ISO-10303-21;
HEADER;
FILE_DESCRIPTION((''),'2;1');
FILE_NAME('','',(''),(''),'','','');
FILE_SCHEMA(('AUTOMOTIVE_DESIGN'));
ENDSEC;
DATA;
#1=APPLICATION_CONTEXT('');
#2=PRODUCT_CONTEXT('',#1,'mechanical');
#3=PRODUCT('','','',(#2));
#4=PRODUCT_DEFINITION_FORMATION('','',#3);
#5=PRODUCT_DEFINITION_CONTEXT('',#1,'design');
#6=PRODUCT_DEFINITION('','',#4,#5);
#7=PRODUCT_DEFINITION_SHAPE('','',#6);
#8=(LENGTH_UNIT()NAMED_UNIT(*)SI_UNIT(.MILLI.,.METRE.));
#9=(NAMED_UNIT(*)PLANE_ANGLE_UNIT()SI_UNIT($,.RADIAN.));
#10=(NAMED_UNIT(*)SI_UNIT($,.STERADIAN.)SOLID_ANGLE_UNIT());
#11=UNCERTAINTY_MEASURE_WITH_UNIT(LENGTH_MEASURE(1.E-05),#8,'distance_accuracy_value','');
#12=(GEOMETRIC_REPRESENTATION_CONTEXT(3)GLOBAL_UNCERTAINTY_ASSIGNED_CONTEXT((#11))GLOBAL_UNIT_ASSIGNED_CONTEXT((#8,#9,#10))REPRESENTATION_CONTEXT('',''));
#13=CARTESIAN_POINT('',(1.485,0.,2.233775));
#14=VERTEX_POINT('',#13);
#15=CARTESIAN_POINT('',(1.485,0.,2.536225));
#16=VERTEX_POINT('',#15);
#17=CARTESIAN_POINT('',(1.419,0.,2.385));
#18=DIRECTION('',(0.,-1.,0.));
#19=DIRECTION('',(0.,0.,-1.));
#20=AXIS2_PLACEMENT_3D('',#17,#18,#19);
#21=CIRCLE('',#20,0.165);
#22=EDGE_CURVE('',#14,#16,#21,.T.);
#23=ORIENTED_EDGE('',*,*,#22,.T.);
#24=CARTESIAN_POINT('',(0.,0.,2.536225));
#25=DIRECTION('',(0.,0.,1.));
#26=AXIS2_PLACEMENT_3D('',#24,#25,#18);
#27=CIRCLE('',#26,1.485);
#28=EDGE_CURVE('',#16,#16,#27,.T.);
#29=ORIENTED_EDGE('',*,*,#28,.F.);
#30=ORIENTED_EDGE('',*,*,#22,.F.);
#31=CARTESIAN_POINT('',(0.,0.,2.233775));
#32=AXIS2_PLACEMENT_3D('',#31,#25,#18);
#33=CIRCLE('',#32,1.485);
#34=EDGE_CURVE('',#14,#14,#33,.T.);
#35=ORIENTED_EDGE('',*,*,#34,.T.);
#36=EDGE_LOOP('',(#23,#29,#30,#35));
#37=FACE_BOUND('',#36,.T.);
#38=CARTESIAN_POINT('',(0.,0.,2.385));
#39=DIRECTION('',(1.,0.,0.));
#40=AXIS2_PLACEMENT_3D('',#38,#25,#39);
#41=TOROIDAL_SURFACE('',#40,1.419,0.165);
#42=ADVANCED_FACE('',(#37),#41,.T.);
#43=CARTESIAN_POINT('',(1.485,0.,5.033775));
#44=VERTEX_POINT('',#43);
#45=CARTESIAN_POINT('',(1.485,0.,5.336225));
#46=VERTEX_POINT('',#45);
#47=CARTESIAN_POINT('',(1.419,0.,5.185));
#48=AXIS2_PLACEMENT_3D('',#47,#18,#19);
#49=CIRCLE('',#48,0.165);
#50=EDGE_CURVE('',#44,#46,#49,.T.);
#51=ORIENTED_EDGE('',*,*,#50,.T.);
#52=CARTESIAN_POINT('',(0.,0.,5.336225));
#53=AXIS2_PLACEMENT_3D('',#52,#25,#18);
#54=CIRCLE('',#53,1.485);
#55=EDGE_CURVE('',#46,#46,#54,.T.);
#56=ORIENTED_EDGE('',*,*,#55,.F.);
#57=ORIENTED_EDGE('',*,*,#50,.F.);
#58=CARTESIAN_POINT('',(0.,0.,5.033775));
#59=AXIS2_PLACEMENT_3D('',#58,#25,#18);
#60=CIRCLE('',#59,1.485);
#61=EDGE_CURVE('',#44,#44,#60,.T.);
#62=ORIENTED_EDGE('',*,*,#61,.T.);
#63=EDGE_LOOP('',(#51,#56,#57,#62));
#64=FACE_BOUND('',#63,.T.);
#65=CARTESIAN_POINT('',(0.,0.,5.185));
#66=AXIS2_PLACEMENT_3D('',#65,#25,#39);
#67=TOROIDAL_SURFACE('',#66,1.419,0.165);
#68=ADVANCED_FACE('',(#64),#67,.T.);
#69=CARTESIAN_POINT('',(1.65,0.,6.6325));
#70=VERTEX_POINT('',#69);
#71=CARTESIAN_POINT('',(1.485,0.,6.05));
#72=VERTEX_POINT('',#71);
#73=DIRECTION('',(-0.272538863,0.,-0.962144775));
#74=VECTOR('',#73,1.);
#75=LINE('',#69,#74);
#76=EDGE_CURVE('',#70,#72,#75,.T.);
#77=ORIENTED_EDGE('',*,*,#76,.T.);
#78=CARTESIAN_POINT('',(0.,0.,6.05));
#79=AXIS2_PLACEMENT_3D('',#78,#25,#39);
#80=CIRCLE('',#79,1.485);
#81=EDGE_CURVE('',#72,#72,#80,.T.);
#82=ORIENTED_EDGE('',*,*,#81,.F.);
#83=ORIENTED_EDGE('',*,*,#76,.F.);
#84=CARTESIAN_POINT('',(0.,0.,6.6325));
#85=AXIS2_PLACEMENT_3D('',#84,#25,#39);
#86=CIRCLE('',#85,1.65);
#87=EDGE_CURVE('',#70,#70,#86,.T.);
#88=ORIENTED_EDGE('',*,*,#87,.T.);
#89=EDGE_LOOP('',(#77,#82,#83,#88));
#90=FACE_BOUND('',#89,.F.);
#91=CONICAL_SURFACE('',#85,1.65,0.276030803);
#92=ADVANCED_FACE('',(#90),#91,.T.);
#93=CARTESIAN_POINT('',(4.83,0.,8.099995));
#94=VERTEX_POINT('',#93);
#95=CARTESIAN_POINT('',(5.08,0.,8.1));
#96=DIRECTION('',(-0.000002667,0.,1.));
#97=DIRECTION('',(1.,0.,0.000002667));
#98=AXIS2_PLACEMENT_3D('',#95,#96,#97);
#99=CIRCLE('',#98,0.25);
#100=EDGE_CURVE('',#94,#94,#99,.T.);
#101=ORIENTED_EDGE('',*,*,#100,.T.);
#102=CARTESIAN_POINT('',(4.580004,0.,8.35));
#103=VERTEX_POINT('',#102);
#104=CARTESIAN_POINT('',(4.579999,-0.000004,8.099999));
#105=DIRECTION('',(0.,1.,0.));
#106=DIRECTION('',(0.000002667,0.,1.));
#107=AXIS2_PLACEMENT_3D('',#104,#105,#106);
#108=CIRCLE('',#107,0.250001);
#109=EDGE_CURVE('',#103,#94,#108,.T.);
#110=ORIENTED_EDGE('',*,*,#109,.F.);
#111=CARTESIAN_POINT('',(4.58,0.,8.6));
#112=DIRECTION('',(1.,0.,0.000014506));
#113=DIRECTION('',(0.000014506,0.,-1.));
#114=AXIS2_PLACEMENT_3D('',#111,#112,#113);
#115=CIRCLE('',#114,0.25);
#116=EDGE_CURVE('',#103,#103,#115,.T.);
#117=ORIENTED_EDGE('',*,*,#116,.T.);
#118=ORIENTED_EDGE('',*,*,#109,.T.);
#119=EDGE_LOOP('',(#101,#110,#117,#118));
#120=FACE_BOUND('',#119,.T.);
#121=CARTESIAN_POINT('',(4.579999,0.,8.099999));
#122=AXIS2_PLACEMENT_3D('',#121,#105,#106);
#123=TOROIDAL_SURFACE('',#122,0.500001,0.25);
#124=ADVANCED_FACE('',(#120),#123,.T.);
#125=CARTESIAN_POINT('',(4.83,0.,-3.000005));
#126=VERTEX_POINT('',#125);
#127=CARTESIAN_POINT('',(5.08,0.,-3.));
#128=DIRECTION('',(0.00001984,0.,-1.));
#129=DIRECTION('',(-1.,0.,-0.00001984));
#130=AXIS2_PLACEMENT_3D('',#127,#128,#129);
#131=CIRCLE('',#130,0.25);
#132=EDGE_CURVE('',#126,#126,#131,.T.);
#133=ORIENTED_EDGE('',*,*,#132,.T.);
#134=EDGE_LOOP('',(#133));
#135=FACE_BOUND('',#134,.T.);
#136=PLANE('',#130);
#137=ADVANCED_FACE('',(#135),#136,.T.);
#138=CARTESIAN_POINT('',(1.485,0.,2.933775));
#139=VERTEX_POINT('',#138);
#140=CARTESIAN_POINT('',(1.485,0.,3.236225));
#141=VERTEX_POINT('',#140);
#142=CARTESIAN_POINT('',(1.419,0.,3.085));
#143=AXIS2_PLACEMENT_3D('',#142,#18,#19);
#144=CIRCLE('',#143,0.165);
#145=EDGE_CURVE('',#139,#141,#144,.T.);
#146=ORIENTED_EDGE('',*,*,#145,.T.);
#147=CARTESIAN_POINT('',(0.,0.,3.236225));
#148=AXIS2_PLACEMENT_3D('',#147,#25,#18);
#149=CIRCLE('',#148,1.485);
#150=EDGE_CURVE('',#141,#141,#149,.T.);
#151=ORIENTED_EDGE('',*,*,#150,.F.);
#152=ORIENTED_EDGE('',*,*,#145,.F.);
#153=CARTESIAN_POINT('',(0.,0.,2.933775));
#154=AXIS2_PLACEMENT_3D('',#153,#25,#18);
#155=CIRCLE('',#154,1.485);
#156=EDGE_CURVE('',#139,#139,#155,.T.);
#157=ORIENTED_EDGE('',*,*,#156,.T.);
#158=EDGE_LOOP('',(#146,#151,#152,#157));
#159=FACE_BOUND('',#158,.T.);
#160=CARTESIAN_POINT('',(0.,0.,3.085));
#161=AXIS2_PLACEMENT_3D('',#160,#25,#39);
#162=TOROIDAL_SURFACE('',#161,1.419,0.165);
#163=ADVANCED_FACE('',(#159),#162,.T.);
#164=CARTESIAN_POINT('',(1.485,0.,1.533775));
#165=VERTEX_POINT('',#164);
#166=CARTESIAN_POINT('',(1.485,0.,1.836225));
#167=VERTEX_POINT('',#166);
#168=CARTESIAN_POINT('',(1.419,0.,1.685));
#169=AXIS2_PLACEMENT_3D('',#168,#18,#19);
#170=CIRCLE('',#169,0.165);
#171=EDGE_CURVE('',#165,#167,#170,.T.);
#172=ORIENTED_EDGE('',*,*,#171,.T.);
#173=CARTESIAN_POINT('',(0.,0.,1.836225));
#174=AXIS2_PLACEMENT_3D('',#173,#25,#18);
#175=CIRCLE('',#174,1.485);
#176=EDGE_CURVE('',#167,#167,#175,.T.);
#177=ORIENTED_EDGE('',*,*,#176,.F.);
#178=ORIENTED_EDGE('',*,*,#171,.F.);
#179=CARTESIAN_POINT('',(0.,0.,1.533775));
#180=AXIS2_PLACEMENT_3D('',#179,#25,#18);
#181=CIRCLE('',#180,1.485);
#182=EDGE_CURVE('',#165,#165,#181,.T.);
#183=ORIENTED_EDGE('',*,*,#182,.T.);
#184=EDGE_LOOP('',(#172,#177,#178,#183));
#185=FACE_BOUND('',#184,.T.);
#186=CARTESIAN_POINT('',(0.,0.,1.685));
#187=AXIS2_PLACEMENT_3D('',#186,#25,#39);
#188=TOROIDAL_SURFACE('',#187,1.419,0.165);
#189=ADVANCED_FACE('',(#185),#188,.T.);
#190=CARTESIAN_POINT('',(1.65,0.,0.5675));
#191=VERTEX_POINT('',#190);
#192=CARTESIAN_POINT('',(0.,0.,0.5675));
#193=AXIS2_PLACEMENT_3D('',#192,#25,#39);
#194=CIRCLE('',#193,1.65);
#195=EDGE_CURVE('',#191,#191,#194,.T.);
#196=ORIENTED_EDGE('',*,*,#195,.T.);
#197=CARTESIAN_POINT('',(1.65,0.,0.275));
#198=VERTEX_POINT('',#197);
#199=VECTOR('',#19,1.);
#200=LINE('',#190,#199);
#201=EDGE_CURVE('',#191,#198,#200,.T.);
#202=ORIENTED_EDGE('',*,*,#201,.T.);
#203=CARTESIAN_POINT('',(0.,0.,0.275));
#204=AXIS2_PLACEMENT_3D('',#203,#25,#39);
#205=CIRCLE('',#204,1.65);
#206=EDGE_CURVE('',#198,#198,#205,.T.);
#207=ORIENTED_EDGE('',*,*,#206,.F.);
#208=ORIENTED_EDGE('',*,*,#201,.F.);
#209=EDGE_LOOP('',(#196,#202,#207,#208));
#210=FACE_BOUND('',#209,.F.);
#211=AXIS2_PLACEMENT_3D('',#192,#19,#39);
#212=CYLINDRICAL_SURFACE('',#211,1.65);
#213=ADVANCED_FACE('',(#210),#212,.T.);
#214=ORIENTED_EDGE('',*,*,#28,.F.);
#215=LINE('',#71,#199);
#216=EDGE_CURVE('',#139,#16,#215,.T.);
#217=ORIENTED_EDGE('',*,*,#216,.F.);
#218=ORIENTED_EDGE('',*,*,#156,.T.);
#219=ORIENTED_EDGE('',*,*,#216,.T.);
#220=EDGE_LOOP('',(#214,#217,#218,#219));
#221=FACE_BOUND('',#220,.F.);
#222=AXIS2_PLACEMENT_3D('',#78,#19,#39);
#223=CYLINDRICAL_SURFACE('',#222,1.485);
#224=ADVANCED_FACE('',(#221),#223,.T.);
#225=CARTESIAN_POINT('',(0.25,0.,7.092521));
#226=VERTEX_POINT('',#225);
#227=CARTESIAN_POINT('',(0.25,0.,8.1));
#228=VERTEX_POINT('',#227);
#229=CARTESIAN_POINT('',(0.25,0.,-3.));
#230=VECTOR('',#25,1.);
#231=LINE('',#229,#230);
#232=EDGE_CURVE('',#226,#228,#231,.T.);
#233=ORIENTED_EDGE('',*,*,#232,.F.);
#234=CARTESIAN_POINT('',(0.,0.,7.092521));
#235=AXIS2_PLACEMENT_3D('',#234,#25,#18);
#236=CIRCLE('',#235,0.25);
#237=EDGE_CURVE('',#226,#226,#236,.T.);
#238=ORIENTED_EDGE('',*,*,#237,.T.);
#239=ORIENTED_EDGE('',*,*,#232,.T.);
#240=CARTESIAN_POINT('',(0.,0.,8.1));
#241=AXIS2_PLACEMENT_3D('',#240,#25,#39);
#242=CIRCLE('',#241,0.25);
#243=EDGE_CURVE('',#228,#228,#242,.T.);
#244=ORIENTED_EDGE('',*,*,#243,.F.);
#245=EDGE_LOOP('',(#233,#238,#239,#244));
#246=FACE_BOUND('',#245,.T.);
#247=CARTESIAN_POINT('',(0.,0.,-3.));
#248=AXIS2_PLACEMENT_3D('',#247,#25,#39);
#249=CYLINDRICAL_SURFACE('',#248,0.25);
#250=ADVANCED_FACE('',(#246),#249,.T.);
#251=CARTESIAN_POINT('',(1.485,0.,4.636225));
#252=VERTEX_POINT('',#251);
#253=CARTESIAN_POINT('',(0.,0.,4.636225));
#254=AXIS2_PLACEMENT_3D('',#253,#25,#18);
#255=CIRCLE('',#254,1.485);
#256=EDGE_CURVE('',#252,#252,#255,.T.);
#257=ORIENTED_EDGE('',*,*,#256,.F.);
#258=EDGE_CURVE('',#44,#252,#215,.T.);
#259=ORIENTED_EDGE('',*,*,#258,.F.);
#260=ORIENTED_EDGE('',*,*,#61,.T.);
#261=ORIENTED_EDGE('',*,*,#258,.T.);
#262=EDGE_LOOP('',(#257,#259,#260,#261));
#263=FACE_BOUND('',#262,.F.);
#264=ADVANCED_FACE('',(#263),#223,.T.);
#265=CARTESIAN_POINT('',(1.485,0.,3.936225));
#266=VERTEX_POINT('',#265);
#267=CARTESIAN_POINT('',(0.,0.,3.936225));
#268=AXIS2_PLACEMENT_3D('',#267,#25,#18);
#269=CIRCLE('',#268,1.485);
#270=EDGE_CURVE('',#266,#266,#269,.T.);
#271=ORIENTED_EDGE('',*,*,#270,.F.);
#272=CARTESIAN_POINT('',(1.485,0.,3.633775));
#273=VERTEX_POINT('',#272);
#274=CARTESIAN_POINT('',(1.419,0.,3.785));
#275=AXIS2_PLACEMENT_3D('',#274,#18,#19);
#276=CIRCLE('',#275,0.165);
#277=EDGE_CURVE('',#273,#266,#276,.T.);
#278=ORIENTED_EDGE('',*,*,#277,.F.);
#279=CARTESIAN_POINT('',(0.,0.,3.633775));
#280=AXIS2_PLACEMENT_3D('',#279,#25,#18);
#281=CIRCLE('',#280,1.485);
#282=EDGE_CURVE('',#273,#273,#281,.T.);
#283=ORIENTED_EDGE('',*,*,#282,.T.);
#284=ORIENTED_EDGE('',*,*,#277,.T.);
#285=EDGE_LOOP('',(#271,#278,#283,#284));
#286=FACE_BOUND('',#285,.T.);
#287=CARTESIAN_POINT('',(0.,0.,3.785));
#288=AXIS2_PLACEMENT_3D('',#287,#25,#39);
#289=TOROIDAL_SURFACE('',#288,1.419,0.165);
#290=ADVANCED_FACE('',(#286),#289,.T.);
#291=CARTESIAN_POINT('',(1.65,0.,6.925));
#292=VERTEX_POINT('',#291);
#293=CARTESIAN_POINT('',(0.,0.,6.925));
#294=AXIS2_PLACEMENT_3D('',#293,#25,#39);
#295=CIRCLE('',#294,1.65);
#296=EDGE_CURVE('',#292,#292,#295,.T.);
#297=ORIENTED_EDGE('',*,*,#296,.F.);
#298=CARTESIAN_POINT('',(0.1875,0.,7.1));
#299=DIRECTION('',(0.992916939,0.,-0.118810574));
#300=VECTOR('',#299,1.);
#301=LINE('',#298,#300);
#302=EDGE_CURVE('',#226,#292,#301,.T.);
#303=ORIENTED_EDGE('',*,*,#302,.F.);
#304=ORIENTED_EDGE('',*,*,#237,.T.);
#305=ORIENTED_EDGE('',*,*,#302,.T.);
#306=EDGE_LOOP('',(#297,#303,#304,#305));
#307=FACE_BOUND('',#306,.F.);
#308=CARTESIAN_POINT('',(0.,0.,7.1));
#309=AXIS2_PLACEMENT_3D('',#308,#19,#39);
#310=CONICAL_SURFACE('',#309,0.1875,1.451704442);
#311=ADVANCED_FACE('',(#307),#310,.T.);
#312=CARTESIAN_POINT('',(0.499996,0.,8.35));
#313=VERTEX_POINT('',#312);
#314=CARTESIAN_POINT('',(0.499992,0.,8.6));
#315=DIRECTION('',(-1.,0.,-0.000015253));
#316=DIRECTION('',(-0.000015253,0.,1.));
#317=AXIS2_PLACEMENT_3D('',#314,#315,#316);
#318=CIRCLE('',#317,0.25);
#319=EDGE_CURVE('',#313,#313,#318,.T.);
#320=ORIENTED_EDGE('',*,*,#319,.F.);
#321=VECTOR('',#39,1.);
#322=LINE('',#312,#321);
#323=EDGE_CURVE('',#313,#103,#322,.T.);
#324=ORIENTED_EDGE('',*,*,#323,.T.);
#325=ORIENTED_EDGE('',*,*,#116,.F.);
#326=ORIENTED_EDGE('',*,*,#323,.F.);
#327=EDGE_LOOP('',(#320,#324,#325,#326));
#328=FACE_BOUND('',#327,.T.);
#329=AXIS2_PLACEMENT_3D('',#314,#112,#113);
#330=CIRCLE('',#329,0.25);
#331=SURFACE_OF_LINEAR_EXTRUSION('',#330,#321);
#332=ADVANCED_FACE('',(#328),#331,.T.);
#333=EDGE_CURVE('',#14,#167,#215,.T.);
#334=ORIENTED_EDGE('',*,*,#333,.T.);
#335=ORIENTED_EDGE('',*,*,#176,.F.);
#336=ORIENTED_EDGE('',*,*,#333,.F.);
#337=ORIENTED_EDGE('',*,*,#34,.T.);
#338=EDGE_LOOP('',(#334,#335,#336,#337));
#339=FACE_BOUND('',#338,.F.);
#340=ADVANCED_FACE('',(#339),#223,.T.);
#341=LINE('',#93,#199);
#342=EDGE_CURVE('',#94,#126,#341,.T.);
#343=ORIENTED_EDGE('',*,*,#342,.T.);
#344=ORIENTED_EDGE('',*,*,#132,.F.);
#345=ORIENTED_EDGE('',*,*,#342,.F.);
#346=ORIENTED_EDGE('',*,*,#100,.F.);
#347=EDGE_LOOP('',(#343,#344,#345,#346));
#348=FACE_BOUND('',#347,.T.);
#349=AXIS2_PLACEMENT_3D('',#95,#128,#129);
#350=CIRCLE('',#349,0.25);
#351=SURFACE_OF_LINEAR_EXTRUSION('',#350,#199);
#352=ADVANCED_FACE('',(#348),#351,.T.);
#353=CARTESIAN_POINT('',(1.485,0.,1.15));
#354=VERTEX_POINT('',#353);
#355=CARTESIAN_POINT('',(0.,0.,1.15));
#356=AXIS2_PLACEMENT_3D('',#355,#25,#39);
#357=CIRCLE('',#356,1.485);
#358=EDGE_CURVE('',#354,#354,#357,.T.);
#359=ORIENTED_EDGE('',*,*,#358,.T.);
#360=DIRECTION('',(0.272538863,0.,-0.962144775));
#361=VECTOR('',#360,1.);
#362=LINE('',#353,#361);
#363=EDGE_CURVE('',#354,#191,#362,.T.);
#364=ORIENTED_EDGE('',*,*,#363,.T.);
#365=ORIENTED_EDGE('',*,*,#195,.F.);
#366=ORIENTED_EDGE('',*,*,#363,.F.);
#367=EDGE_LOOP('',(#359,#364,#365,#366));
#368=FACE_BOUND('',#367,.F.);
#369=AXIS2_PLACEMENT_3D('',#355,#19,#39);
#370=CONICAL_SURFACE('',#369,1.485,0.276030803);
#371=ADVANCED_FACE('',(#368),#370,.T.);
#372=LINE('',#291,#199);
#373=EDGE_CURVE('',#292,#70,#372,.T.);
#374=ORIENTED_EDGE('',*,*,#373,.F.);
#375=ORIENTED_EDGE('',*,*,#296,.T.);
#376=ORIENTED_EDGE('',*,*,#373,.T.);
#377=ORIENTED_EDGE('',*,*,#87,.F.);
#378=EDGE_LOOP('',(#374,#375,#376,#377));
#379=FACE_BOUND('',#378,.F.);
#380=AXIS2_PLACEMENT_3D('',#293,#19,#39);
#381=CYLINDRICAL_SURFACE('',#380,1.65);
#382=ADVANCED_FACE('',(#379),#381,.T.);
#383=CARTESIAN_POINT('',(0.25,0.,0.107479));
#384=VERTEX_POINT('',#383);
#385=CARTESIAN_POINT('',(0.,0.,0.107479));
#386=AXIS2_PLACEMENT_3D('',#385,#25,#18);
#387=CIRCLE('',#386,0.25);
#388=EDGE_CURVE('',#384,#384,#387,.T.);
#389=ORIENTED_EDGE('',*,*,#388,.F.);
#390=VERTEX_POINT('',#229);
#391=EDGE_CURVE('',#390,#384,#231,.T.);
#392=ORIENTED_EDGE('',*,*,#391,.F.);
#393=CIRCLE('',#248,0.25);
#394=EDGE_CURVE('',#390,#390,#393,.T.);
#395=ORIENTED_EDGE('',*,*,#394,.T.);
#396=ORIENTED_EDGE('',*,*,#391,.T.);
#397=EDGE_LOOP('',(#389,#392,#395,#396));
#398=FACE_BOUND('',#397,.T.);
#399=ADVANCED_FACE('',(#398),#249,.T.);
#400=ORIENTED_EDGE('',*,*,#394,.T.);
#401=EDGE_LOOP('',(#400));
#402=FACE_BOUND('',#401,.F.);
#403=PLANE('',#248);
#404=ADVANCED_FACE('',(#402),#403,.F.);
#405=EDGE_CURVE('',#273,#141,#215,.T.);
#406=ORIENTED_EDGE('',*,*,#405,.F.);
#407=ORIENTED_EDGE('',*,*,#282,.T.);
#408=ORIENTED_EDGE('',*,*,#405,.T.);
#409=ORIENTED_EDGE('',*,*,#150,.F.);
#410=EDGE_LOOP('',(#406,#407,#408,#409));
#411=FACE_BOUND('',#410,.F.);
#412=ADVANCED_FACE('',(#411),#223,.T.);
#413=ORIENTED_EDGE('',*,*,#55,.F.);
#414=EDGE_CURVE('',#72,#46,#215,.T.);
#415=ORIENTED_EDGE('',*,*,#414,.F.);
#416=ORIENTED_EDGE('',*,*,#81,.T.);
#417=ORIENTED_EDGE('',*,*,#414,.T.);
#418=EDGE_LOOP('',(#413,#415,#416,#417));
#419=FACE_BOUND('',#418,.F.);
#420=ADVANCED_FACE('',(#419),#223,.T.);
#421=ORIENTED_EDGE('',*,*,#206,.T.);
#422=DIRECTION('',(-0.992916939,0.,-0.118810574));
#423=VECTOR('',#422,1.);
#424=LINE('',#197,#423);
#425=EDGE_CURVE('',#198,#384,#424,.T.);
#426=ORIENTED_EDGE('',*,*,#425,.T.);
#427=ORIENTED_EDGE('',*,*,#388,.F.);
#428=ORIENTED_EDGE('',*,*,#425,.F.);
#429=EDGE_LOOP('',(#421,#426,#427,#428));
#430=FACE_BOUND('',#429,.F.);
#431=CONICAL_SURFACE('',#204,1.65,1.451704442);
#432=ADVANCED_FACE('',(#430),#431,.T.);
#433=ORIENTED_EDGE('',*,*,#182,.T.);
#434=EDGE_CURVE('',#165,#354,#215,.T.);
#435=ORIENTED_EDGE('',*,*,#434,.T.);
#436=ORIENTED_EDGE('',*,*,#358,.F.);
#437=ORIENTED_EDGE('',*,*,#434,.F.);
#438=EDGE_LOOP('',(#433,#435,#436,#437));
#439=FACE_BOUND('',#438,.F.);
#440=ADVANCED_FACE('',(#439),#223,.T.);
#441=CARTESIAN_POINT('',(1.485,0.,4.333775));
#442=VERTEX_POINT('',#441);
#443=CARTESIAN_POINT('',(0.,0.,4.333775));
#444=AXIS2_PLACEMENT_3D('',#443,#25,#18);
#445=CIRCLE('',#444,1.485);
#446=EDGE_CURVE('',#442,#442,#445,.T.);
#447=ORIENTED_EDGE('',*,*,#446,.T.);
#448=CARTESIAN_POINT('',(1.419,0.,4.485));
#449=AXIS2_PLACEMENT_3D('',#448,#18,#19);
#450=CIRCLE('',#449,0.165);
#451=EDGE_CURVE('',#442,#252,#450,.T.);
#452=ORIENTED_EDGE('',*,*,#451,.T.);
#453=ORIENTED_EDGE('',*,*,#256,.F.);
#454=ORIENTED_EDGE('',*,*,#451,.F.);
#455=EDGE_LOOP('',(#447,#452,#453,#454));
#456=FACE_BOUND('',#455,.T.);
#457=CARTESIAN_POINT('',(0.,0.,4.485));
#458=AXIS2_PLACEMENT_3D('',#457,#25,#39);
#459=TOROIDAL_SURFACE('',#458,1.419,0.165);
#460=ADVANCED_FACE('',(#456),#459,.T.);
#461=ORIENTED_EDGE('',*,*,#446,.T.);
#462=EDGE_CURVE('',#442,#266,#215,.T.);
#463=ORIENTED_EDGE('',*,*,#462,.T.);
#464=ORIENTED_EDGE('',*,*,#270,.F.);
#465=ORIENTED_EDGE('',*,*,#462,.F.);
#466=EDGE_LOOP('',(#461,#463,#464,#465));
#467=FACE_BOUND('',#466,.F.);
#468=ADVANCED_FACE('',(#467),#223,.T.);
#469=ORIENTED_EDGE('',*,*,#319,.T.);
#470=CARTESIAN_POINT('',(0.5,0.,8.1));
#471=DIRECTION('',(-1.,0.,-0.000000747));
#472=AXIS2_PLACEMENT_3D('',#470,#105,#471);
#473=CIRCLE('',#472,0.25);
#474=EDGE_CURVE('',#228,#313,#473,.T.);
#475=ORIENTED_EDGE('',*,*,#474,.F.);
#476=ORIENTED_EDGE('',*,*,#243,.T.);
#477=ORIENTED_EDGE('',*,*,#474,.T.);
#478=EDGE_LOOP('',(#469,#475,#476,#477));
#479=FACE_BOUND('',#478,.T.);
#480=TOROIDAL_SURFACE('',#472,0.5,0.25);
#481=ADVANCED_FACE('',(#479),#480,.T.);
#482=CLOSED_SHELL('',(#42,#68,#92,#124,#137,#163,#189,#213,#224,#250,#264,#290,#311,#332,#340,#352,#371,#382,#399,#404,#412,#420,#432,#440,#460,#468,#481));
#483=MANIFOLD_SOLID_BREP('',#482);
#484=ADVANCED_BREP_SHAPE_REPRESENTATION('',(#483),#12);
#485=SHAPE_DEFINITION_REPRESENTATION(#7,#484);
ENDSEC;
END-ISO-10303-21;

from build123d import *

# Parameters (mm, degrees)
SKETCH_R = 0.25


with BuildPart() as revolution:
    # Sketch002 → Revolution (revolve)
    with BuildSketch(Plane.XZ):
        Polygon((0, 0.1), (0, 7.1), (0.1875, 7.1), (1.65, 6.925), (1.65, 6.6325), (1.485, 6.05), (1.485, 1.15), (1.65, 0.5675), (1.65, 0.275), (0.1875, 0.1), align=None)
    revolve(axis=Axis((0, 0, 0), (0, 0, 1)))


with BuildPart() as sweep_body:
    # Sweep: sweep along a path in Sketch001
    with BuildLine(Plane.XZ) as sweep_path:
        Line((0, -3), (0, 8.1))
        ThreePointArc((0, 8.1), (0.146444, 8.453551), (0.499992, 8.6))
        Line((0.499992, 8.6), (4.58, 8.6))
        ThreePointArc((4.58, 8.6), (4.933553, 8.453553), (5.08, 8.1))
        Line((5.08, 8.1), (5.08, -3))
    # Sketch → Sweep (sweep)
    with BuildSketch(Plane.XY.offset(-2)):
        Circle(SKETCH_R)
    sweep(path=sweep_path.line)


with BuildPart() as revolution001_mp_cp:
    # Sketch003 → Revolution001 (revolve)
    with BuildSketch(Plane.XZ):
        with BuildLine():
            Line((1.32, 5.72), (1.32, 1.15))
            Line((1.32, 1.15), (1.419, 1.15))
            Line((1.419, 1.15), (1.419, 1.52))
            ThreePointArc((1.419, 1.52), (1.584, 1.685), (1.419, 1.85))
            Line((1.419, 1.85), (1.419, 2.22))
            ThreePointArc((1.419, 2.22), (1.584, 2.385), (1.419, 2.55))
            Line((1.419, 2.55), (1.419, 2.92))
            ThreePointArc((1.419, 2.92), (1.584, 3.085), (1.419, 3.25))
            Line((1.419, 3.25), (1.419, 3.62))
            ThreePointArc((1.419, 3.62), (1.584, 3.785), (1.419, 3.95))
            Line((1.419, 3.95), (1.419, 4.32))
            ThreePointArc((1.419, 4.32), (1.584, 4.485), (1.419, 4.65))
            Line((1.419, 4.65), (1.419, 5.02))
            ThreePointArc((1.419, 5.02), (1.584, 5.185), (1.419, 5.35))
            Line((1.419, 5.72), (1.419, 5.35))
            Line((1.32, 5.72), (1.419, 5.72))
        make_face()
    revolve(axis=Axis((0, 0, 0), (0, 0, 1)))

    # Revolution001_mp_cp: union Revolution, Sweep body
    add(revolution.part)
    add(sweep_body.part)


solid = revolution001_mp_cp.part
